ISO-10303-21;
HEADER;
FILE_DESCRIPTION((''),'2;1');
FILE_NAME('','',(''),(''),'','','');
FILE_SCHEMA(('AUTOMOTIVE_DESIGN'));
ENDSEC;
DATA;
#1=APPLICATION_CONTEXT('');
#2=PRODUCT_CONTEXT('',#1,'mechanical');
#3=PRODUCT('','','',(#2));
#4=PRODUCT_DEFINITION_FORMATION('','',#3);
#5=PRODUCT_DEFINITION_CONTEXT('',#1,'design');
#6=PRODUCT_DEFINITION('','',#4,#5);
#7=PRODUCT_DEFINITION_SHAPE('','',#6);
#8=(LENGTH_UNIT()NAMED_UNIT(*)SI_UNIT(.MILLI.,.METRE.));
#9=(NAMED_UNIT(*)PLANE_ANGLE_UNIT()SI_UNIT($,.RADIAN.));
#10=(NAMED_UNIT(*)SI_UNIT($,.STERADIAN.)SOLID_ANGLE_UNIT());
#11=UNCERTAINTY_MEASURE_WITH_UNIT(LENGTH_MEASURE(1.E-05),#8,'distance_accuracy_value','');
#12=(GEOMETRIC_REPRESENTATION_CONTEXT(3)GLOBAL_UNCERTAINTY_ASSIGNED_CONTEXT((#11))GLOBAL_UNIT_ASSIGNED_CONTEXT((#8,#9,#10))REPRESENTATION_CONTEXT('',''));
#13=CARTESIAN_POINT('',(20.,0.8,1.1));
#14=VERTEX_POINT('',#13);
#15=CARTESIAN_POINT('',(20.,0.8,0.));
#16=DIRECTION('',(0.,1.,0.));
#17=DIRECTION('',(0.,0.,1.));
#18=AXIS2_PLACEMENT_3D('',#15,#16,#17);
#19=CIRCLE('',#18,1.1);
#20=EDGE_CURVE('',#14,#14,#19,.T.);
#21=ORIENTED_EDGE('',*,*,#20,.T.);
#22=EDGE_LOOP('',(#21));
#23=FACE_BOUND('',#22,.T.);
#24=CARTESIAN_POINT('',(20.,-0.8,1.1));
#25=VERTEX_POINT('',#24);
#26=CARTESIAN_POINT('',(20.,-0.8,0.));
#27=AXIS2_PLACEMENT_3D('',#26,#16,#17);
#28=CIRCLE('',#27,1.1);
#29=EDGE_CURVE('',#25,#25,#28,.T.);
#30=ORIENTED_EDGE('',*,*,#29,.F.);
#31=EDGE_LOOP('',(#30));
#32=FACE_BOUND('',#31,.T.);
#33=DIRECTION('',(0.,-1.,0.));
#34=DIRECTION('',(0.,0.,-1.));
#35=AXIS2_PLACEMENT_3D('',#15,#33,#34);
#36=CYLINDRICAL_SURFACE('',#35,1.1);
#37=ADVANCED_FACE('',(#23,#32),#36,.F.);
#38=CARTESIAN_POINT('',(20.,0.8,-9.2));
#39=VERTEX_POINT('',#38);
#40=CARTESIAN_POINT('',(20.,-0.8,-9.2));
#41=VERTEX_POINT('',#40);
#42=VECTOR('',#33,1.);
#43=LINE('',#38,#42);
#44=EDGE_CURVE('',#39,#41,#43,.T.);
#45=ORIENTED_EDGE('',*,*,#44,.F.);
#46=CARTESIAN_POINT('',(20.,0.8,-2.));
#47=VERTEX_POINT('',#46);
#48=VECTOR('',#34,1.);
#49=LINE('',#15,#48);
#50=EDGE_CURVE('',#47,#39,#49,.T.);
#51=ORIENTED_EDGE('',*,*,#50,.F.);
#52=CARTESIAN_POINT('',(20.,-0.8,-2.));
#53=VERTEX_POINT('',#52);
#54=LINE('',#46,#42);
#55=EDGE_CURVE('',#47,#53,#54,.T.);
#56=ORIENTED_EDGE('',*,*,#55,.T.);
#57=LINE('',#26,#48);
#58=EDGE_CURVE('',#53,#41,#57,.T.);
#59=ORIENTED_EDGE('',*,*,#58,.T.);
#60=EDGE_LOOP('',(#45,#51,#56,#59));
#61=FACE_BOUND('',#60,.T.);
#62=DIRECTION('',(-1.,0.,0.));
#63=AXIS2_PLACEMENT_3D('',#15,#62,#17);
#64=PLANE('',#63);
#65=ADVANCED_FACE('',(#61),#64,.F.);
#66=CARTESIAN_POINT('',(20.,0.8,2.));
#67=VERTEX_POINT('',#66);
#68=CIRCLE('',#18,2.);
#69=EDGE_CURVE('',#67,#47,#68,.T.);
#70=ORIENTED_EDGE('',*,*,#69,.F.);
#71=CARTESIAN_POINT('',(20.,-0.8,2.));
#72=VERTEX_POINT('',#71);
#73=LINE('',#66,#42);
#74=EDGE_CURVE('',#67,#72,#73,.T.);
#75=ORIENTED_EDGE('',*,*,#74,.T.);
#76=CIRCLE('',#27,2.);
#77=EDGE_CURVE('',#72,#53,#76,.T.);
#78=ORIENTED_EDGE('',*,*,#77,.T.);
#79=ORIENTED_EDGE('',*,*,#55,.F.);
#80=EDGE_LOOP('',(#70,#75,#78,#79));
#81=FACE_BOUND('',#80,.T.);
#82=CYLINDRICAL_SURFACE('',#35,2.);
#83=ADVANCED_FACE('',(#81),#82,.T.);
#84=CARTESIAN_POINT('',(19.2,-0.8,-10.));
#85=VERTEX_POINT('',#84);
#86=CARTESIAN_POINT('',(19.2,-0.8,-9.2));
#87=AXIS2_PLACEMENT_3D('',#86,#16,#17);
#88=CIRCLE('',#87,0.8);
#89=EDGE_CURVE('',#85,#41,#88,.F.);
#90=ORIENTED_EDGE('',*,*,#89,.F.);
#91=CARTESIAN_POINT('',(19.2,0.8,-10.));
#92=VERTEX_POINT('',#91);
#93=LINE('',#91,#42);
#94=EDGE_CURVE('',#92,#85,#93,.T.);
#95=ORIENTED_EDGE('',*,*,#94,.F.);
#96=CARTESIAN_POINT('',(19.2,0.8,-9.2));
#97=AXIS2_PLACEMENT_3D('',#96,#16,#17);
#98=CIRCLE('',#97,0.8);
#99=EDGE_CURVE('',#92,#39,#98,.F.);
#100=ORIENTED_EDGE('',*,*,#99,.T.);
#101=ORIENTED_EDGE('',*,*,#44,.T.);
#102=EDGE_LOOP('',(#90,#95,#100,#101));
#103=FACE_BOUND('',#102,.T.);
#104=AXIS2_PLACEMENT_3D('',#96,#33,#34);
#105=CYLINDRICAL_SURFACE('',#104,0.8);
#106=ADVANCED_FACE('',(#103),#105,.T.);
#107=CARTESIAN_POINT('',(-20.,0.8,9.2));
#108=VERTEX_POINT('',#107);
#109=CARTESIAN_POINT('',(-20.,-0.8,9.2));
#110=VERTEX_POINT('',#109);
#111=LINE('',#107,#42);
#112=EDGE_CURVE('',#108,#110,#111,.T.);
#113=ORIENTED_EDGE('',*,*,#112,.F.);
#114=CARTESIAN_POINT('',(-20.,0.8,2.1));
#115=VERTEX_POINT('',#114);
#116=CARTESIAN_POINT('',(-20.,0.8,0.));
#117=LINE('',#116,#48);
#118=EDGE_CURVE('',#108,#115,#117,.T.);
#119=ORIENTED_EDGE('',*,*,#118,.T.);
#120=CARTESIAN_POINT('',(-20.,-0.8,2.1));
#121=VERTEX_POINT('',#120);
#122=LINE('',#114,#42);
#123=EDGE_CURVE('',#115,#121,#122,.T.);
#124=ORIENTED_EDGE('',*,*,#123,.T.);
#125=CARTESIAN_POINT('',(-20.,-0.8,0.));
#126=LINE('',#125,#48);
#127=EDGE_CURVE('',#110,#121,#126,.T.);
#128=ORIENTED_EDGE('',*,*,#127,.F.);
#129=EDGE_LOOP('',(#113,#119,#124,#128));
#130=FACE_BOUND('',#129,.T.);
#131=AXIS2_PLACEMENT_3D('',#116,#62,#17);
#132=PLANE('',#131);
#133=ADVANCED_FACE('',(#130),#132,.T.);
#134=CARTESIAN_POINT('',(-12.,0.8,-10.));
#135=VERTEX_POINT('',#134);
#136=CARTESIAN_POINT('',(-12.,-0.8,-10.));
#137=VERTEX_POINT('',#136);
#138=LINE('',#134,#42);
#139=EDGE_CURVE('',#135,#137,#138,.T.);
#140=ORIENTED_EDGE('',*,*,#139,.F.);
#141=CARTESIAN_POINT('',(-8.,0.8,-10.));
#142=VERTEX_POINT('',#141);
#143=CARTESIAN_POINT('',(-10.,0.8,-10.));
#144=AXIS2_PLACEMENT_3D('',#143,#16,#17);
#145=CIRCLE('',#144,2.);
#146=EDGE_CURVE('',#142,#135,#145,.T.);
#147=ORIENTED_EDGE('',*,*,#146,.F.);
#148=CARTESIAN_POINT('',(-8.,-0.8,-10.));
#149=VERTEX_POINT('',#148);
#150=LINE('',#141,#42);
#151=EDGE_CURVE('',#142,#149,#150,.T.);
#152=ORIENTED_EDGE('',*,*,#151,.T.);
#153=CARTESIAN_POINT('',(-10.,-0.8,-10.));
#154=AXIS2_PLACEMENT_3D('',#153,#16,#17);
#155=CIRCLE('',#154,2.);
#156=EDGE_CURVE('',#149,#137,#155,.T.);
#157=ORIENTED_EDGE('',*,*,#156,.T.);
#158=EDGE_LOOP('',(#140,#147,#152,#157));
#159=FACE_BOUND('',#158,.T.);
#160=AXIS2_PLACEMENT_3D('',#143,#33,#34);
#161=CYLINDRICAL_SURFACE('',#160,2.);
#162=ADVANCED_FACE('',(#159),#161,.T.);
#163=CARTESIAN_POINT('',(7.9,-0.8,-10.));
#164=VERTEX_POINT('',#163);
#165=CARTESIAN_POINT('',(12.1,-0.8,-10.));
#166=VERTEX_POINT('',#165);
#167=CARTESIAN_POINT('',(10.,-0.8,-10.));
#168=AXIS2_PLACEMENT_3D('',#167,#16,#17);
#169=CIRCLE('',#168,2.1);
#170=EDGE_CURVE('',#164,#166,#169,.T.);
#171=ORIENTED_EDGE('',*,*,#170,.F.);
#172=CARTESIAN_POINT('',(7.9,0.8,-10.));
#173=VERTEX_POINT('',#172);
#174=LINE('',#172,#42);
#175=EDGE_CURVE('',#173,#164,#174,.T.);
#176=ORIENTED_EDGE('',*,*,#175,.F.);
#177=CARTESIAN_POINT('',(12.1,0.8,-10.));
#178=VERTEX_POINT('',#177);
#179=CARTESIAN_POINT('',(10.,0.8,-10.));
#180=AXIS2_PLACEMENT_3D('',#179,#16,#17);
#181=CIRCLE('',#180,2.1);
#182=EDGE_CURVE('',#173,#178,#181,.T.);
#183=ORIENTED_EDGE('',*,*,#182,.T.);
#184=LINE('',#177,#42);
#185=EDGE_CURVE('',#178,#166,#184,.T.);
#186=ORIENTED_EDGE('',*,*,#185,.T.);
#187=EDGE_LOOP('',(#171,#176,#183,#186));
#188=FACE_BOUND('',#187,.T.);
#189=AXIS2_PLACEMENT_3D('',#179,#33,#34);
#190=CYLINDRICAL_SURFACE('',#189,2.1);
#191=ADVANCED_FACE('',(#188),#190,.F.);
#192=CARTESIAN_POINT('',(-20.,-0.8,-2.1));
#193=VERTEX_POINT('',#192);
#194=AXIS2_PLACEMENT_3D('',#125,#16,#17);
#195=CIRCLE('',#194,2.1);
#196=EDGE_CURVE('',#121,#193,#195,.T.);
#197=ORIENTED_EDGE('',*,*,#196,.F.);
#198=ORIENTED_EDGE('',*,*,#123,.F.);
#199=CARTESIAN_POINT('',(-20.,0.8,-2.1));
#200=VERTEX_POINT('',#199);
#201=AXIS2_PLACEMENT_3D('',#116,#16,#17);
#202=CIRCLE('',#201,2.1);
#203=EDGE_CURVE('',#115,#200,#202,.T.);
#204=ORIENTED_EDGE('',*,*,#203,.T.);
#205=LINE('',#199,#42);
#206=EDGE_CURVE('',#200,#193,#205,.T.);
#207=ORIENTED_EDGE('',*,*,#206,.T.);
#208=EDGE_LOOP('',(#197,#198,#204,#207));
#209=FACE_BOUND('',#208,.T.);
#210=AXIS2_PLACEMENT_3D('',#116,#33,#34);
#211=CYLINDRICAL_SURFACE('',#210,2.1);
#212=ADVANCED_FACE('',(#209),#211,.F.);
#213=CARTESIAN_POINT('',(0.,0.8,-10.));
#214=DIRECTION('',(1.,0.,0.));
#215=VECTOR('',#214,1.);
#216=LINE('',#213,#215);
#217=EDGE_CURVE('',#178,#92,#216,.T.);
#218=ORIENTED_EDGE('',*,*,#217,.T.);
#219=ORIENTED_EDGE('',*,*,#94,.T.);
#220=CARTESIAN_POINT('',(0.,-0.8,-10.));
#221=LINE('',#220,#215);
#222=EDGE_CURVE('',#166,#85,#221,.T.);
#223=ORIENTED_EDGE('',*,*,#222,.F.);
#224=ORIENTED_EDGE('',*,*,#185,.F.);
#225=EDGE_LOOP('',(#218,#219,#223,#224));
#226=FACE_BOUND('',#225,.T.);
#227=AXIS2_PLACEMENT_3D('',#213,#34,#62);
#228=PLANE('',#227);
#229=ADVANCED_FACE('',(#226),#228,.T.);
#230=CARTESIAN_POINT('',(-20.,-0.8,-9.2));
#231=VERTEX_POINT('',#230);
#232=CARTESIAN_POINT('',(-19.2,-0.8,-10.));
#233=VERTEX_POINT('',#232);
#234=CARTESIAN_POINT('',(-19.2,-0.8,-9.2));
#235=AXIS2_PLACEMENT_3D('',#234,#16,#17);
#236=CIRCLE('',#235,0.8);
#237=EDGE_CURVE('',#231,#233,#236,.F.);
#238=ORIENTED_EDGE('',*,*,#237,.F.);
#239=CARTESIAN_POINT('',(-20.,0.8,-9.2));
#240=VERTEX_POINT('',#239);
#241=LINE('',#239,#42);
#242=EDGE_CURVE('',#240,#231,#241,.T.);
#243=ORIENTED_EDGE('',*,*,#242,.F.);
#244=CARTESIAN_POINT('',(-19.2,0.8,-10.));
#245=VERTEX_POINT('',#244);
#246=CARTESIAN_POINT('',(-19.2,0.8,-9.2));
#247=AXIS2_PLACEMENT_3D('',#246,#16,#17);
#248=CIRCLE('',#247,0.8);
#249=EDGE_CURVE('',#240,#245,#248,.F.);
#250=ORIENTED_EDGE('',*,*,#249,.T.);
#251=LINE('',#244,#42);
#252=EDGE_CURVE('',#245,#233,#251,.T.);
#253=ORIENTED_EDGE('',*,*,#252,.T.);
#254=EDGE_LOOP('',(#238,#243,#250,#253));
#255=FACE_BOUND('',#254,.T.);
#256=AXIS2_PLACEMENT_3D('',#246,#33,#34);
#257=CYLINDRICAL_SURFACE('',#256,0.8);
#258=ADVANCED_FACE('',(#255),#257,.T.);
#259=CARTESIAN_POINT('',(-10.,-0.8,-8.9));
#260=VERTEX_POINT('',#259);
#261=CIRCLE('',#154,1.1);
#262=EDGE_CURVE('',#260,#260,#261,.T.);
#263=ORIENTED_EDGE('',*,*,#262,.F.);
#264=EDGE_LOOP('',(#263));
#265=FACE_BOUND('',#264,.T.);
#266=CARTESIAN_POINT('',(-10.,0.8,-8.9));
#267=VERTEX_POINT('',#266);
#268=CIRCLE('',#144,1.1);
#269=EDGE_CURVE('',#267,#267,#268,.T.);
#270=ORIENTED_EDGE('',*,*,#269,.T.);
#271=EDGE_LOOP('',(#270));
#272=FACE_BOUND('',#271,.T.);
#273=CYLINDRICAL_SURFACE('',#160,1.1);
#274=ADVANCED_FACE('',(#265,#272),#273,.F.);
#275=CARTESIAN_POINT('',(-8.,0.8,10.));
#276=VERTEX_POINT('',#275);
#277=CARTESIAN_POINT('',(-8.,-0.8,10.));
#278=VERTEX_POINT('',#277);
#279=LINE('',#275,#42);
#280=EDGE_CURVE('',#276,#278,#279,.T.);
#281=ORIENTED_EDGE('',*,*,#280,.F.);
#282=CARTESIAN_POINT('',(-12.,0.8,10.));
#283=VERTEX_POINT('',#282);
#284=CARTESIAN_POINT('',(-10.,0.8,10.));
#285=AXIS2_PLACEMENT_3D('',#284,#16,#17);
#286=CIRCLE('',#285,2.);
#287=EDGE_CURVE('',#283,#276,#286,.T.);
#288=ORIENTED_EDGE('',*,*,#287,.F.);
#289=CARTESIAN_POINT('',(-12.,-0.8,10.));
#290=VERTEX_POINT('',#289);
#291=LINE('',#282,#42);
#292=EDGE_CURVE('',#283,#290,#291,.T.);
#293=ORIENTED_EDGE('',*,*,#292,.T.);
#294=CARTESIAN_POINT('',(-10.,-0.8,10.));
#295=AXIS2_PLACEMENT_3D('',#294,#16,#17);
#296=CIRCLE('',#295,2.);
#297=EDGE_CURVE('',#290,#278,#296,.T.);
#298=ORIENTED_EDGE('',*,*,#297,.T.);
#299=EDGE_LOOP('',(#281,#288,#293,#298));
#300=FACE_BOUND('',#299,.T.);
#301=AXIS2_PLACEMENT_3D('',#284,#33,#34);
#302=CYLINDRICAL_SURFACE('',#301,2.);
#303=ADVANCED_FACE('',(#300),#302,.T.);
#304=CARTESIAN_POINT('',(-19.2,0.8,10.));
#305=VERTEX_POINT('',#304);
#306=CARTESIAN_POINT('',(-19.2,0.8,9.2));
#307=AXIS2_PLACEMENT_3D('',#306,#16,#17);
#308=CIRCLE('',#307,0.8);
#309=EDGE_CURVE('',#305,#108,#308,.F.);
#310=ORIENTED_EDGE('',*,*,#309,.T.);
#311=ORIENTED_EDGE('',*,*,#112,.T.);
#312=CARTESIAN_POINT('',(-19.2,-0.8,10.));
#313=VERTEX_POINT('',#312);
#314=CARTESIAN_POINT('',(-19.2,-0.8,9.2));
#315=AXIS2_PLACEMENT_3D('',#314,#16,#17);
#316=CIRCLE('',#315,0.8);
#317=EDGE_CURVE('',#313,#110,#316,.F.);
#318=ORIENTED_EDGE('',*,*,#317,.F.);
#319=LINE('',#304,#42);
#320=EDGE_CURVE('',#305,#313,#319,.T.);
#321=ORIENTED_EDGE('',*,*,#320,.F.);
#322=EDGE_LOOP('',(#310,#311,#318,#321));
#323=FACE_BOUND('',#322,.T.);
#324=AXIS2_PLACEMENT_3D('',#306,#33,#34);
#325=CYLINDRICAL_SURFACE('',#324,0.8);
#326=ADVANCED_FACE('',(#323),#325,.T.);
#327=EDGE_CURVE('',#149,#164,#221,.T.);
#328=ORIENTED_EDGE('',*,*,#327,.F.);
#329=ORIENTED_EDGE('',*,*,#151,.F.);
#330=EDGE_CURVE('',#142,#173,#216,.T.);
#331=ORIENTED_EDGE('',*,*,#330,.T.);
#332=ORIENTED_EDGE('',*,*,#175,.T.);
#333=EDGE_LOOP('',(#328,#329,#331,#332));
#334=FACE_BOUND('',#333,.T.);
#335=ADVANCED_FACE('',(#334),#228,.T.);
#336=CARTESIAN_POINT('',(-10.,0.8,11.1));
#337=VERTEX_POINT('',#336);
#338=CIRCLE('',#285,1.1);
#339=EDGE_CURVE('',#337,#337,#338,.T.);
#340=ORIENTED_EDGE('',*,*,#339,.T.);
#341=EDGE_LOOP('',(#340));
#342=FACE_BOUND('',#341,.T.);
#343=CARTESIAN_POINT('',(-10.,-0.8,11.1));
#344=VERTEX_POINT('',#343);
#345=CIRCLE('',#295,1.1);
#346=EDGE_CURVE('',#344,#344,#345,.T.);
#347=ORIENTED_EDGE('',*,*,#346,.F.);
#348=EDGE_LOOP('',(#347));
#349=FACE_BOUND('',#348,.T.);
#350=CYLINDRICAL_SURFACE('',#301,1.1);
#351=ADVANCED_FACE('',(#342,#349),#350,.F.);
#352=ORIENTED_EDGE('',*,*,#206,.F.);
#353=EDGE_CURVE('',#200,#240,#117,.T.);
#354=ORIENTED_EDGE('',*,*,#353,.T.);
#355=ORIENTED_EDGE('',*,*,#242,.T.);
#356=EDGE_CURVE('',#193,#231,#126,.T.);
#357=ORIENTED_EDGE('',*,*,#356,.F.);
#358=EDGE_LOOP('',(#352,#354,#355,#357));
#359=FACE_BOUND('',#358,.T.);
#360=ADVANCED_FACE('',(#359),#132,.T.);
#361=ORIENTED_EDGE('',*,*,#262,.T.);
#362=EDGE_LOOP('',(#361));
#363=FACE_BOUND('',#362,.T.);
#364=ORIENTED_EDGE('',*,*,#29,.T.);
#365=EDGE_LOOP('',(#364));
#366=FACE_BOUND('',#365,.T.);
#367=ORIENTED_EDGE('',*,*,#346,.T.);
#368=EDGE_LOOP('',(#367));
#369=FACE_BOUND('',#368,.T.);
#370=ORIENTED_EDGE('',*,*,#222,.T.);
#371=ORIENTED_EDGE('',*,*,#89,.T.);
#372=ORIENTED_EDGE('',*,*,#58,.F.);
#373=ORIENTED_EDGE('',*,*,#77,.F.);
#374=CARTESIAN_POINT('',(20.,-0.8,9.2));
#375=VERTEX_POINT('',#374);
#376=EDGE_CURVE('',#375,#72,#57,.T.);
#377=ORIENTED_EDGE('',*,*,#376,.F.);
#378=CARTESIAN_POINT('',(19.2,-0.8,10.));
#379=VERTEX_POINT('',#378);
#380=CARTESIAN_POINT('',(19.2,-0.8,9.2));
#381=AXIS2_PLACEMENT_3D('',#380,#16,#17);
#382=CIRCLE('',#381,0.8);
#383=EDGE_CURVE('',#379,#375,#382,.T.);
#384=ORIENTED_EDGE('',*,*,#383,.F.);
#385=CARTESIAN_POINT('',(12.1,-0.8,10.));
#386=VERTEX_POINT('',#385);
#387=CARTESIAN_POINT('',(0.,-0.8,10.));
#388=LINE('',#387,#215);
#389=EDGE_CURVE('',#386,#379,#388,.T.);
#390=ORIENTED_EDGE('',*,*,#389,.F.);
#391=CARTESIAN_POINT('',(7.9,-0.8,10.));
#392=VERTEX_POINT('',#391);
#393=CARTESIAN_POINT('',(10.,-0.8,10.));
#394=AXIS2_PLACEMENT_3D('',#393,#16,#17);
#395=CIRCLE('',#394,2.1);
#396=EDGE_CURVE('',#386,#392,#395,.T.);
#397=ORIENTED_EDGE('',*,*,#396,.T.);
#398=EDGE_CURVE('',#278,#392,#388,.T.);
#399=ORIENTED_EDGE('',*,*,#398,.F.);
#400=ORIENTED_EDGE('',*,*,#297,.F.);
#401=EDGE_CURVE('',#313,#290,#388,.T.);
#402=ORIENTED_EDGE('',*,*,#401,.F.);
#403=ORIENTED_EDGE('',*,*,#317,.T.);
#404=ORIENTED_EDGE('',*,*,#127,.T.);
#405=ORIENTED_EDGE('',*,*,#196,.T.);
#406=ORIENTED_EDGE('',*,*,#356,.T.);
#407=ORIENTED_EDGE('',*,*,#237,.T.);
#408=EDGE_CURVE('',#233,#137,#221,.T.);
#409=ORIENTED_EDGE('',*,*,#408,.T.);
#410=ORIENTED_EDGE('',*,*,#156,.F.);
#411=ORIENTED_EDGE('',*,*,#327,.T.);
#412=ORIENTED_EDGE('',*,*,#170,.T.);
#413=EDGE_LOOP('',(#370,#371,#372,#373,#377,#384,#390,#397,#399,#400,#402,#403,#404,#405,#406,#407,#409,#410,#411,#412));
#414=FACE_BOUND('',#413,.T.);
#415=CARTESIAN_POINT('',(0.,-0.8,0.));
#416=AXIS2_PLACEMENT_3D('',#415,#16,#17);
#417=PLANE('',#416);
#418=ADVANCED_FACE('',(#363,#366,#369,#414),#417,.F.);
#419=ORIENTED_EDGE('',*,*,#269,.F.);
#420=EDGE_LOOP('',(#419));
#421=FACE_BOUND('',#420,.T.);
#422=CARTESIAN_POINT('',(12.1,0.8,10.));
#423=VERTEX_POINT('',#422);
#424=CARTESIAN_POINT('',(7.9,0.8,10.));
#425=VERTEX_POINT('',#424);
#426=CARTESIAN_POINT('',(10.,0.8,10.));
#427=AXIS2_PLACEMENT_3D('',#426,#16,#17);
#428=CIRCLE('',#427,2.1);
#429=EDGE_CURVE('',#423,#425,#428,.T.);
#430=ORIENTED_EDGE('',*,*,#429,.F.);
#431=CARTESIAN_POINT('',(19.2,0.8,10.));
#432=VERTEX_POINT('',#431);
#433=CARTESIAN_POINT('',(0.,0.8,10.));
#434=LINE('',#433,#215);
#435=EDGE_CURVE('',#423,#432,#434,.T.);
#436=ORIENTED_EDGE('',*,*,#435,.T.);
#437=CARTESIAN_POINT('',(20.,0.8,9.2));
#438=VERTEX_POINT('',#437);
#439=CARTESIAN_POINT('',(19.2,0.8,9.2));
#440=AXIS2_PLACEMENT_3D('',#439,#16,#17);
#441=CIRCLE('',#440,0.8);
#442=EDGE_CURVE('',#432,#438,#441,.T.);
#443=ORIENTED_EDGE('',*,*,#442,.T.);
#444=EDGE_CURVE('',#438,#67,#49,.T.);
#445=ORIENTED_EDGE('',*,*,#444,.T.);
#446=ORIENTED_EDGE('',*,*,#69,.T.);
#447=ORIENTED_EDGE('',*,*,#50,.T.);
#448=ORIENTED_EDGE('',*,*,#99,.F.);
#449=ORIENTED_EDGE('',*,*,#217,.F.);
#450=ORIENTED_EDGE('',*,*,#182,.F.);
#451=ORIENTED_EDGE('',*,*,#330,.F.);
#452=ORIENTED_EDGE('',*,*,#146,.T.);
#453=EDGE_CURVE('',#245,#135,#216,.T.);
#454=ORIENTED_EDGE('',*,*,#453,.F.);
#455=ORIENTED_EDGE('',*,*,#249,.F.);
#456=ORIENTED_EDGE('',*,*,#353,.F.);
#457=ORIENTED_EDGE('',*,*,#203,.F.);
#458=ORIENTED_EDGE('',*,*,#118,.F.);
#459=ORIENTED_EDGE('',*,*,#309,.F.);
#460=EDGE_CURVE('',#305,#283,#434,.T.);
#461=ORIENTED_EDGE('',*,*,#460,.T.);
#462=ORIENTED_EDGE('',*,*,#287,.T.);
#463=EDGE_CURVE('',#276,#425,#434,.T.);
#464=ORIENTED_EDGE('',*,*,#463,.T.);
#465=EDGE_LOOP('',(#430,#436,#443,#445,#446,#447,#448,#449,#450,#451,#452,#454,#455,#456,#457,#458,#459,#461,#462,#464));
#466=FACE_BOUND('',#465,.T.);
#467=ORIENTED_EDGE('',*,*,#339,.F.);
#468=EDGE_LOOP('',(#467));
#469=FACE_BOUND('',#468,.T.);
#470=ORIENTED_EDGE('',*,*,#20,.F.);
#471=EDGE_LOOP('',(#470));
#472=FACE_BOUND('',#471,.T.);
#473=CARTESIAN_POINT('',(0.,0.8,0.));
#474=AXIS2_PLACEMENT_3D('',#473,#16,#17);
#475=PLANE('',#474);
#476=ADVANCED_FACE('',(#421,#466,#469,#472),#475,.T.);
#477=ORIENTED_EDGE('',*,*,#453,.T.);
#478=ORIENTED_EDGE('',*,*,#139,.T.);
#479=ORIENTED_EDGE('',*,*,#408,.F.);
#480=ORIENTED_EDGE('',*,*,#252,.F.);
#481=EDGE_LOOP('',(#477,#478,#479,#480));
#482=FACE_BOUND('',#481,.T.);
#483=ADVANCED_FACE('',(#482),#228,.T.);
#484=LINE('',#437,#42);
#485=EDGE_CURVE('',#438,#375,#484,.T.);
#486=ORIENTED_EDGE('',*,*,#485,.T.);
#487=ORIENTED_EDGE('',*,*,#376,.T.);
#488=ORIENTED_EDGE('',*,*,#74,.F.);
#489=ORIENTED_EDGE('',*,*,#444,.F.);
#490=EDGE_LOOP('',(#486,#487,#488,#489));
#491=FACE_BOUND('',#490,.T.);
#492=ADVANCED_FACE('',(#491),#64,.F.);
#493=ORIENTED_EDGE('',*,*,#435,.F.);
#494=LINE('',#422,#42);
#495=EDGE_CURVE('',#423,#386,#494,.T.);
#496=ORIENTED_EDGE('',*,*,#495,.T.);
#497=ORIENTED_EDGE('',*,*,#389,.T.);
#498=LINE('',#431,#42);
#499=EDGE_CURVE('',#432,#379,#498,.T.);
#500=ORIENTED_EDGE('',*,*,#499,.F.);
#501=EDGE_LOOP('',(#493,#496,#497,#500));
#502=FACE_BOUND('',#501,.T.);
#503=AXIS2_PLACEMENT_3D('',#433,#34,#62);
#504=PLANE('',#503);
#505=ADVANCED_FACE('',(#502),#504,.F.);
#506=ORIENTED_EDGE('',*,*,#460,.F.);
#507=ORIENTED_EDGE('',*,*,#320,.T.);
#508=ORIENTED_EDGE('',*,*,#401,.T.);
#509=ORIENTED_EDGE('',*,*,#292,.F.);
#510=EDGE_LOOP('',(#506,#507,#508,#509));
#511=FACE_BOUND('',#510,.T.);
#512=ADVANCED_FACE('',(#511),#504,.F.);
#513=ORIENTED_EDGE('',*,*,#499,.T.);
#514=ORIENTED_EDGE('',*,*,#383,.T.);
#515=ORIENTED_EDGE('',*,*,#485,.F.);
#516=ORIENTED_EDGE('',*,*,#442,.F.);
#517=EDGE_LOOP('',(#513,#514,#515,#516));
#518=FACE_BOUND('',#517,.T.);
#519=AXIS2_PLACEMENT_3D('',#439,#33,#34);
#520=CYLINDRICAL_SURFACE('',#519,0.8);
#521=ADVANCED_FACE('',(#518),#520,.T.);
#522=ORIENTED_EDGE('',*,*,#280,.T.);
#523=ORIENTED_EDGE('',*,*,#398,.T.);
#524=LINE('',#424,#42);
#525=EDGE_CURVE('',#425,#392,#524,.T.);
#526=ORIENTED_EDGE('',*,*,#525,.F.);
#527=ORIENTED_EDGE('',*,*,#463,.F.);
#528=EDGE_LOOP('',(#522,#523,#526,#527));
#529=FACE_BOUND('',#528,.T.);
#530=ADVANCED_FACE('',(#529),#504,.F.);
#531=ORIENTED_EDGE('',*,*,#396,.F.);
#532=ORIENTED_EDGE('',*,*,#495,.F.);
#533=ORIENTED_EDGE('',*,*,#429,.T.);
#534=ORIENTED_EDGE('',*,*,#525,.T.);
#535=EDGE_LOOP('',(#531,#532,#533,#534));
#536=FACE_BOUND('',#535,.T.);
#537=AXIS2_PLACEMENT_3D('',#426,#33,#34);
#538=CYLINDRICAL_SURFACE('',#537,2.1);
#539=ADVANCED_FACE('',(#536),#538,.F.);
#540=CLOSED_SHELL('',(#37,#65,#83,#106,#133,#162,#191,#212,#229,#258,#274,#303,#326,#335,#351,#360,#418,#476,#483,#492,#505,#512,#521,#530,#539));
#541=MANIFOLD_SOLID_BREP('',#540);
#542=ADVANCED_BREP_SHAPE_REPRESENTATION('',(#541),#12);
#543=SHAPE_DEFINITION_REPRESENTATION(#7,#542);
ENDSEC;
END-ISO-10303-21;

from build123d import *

# Parameters (mm, degrees)
ESQUISSE1_R        = 1.1
BOSS_EXTRU_1_DEPTH = 0.8


with BuildPart() as part:
    # Esquisse1 → Boss.-Extru.1 (new body, symmetric)
    with BuildSketch(Plane(origin=(0, 0, 0), x_dir=(1, 0, 0), z_dir=(0, 1, 0))):
        with BuildLine():
            ThreePointArc((-12, -10), (-10, -12), (-8, -10))
            Line((-8, -10), (7.9, -10))
            ThreePointArc((7.9, -10), (10, -7.9), (12.1, -10))
            Line((12.1, -10), (19.2, -10))
            ThreePointArc((19.2, -10), (19.765685425, -9.765685425), (20, -9.2))
            Line((20, -9.2), (20, -2))
            ThreePointArc((20, -2), (22, 0), (20, 2))
            Line((20, 2), (20, 9.2))
            ThreePointArc((20, 9.2), (19.765685425, 9.765685425), (19.2, 10))
            Line((19.2, 10), (12.1, 10))
            ThreePointArc((12.1, 10), (10, 7.9), (7.9, 10))
            Line((7.9, 10), (-8, 10))
            ThreePointArc((-8, 10), (-10, 12), (-12, 10))
            Line((-12, 10), (-19.2, 10))
            ThreePointArc((-19.2, 10), (-19.765685425, 9.765685425), (-20, 9.2))
            Line((-20, 9.2), (-20, 2.1))
            ThreePointArc((-20, 2.1), (-17.9, 0), (-20, -2.1))
            Line((-20, -2.1), (-20, -9.2))
            ThreePointArc((-20, -9.2), (-19.765685425, -9.765685425), (-19.2, -10))
            Line((-19.2, -10), (-12, -10))
        make_face()
        with Locations((-10, -10)):
            Circle(ESQUISSE1_R, mode=Mode.SUBTRACT)
        with Locations((20, 0)):
            Circle(ESQUISSE1_R, mode=Mode.SUBTRACT)
        with Locations((-10, 10)):
            Circle(ESQUISSE1_R, mode=Mode.SUBTRACT)
    extrude(amount=BOSS_EXTRU_1_DEPTH, both=True)


solid = part.part
